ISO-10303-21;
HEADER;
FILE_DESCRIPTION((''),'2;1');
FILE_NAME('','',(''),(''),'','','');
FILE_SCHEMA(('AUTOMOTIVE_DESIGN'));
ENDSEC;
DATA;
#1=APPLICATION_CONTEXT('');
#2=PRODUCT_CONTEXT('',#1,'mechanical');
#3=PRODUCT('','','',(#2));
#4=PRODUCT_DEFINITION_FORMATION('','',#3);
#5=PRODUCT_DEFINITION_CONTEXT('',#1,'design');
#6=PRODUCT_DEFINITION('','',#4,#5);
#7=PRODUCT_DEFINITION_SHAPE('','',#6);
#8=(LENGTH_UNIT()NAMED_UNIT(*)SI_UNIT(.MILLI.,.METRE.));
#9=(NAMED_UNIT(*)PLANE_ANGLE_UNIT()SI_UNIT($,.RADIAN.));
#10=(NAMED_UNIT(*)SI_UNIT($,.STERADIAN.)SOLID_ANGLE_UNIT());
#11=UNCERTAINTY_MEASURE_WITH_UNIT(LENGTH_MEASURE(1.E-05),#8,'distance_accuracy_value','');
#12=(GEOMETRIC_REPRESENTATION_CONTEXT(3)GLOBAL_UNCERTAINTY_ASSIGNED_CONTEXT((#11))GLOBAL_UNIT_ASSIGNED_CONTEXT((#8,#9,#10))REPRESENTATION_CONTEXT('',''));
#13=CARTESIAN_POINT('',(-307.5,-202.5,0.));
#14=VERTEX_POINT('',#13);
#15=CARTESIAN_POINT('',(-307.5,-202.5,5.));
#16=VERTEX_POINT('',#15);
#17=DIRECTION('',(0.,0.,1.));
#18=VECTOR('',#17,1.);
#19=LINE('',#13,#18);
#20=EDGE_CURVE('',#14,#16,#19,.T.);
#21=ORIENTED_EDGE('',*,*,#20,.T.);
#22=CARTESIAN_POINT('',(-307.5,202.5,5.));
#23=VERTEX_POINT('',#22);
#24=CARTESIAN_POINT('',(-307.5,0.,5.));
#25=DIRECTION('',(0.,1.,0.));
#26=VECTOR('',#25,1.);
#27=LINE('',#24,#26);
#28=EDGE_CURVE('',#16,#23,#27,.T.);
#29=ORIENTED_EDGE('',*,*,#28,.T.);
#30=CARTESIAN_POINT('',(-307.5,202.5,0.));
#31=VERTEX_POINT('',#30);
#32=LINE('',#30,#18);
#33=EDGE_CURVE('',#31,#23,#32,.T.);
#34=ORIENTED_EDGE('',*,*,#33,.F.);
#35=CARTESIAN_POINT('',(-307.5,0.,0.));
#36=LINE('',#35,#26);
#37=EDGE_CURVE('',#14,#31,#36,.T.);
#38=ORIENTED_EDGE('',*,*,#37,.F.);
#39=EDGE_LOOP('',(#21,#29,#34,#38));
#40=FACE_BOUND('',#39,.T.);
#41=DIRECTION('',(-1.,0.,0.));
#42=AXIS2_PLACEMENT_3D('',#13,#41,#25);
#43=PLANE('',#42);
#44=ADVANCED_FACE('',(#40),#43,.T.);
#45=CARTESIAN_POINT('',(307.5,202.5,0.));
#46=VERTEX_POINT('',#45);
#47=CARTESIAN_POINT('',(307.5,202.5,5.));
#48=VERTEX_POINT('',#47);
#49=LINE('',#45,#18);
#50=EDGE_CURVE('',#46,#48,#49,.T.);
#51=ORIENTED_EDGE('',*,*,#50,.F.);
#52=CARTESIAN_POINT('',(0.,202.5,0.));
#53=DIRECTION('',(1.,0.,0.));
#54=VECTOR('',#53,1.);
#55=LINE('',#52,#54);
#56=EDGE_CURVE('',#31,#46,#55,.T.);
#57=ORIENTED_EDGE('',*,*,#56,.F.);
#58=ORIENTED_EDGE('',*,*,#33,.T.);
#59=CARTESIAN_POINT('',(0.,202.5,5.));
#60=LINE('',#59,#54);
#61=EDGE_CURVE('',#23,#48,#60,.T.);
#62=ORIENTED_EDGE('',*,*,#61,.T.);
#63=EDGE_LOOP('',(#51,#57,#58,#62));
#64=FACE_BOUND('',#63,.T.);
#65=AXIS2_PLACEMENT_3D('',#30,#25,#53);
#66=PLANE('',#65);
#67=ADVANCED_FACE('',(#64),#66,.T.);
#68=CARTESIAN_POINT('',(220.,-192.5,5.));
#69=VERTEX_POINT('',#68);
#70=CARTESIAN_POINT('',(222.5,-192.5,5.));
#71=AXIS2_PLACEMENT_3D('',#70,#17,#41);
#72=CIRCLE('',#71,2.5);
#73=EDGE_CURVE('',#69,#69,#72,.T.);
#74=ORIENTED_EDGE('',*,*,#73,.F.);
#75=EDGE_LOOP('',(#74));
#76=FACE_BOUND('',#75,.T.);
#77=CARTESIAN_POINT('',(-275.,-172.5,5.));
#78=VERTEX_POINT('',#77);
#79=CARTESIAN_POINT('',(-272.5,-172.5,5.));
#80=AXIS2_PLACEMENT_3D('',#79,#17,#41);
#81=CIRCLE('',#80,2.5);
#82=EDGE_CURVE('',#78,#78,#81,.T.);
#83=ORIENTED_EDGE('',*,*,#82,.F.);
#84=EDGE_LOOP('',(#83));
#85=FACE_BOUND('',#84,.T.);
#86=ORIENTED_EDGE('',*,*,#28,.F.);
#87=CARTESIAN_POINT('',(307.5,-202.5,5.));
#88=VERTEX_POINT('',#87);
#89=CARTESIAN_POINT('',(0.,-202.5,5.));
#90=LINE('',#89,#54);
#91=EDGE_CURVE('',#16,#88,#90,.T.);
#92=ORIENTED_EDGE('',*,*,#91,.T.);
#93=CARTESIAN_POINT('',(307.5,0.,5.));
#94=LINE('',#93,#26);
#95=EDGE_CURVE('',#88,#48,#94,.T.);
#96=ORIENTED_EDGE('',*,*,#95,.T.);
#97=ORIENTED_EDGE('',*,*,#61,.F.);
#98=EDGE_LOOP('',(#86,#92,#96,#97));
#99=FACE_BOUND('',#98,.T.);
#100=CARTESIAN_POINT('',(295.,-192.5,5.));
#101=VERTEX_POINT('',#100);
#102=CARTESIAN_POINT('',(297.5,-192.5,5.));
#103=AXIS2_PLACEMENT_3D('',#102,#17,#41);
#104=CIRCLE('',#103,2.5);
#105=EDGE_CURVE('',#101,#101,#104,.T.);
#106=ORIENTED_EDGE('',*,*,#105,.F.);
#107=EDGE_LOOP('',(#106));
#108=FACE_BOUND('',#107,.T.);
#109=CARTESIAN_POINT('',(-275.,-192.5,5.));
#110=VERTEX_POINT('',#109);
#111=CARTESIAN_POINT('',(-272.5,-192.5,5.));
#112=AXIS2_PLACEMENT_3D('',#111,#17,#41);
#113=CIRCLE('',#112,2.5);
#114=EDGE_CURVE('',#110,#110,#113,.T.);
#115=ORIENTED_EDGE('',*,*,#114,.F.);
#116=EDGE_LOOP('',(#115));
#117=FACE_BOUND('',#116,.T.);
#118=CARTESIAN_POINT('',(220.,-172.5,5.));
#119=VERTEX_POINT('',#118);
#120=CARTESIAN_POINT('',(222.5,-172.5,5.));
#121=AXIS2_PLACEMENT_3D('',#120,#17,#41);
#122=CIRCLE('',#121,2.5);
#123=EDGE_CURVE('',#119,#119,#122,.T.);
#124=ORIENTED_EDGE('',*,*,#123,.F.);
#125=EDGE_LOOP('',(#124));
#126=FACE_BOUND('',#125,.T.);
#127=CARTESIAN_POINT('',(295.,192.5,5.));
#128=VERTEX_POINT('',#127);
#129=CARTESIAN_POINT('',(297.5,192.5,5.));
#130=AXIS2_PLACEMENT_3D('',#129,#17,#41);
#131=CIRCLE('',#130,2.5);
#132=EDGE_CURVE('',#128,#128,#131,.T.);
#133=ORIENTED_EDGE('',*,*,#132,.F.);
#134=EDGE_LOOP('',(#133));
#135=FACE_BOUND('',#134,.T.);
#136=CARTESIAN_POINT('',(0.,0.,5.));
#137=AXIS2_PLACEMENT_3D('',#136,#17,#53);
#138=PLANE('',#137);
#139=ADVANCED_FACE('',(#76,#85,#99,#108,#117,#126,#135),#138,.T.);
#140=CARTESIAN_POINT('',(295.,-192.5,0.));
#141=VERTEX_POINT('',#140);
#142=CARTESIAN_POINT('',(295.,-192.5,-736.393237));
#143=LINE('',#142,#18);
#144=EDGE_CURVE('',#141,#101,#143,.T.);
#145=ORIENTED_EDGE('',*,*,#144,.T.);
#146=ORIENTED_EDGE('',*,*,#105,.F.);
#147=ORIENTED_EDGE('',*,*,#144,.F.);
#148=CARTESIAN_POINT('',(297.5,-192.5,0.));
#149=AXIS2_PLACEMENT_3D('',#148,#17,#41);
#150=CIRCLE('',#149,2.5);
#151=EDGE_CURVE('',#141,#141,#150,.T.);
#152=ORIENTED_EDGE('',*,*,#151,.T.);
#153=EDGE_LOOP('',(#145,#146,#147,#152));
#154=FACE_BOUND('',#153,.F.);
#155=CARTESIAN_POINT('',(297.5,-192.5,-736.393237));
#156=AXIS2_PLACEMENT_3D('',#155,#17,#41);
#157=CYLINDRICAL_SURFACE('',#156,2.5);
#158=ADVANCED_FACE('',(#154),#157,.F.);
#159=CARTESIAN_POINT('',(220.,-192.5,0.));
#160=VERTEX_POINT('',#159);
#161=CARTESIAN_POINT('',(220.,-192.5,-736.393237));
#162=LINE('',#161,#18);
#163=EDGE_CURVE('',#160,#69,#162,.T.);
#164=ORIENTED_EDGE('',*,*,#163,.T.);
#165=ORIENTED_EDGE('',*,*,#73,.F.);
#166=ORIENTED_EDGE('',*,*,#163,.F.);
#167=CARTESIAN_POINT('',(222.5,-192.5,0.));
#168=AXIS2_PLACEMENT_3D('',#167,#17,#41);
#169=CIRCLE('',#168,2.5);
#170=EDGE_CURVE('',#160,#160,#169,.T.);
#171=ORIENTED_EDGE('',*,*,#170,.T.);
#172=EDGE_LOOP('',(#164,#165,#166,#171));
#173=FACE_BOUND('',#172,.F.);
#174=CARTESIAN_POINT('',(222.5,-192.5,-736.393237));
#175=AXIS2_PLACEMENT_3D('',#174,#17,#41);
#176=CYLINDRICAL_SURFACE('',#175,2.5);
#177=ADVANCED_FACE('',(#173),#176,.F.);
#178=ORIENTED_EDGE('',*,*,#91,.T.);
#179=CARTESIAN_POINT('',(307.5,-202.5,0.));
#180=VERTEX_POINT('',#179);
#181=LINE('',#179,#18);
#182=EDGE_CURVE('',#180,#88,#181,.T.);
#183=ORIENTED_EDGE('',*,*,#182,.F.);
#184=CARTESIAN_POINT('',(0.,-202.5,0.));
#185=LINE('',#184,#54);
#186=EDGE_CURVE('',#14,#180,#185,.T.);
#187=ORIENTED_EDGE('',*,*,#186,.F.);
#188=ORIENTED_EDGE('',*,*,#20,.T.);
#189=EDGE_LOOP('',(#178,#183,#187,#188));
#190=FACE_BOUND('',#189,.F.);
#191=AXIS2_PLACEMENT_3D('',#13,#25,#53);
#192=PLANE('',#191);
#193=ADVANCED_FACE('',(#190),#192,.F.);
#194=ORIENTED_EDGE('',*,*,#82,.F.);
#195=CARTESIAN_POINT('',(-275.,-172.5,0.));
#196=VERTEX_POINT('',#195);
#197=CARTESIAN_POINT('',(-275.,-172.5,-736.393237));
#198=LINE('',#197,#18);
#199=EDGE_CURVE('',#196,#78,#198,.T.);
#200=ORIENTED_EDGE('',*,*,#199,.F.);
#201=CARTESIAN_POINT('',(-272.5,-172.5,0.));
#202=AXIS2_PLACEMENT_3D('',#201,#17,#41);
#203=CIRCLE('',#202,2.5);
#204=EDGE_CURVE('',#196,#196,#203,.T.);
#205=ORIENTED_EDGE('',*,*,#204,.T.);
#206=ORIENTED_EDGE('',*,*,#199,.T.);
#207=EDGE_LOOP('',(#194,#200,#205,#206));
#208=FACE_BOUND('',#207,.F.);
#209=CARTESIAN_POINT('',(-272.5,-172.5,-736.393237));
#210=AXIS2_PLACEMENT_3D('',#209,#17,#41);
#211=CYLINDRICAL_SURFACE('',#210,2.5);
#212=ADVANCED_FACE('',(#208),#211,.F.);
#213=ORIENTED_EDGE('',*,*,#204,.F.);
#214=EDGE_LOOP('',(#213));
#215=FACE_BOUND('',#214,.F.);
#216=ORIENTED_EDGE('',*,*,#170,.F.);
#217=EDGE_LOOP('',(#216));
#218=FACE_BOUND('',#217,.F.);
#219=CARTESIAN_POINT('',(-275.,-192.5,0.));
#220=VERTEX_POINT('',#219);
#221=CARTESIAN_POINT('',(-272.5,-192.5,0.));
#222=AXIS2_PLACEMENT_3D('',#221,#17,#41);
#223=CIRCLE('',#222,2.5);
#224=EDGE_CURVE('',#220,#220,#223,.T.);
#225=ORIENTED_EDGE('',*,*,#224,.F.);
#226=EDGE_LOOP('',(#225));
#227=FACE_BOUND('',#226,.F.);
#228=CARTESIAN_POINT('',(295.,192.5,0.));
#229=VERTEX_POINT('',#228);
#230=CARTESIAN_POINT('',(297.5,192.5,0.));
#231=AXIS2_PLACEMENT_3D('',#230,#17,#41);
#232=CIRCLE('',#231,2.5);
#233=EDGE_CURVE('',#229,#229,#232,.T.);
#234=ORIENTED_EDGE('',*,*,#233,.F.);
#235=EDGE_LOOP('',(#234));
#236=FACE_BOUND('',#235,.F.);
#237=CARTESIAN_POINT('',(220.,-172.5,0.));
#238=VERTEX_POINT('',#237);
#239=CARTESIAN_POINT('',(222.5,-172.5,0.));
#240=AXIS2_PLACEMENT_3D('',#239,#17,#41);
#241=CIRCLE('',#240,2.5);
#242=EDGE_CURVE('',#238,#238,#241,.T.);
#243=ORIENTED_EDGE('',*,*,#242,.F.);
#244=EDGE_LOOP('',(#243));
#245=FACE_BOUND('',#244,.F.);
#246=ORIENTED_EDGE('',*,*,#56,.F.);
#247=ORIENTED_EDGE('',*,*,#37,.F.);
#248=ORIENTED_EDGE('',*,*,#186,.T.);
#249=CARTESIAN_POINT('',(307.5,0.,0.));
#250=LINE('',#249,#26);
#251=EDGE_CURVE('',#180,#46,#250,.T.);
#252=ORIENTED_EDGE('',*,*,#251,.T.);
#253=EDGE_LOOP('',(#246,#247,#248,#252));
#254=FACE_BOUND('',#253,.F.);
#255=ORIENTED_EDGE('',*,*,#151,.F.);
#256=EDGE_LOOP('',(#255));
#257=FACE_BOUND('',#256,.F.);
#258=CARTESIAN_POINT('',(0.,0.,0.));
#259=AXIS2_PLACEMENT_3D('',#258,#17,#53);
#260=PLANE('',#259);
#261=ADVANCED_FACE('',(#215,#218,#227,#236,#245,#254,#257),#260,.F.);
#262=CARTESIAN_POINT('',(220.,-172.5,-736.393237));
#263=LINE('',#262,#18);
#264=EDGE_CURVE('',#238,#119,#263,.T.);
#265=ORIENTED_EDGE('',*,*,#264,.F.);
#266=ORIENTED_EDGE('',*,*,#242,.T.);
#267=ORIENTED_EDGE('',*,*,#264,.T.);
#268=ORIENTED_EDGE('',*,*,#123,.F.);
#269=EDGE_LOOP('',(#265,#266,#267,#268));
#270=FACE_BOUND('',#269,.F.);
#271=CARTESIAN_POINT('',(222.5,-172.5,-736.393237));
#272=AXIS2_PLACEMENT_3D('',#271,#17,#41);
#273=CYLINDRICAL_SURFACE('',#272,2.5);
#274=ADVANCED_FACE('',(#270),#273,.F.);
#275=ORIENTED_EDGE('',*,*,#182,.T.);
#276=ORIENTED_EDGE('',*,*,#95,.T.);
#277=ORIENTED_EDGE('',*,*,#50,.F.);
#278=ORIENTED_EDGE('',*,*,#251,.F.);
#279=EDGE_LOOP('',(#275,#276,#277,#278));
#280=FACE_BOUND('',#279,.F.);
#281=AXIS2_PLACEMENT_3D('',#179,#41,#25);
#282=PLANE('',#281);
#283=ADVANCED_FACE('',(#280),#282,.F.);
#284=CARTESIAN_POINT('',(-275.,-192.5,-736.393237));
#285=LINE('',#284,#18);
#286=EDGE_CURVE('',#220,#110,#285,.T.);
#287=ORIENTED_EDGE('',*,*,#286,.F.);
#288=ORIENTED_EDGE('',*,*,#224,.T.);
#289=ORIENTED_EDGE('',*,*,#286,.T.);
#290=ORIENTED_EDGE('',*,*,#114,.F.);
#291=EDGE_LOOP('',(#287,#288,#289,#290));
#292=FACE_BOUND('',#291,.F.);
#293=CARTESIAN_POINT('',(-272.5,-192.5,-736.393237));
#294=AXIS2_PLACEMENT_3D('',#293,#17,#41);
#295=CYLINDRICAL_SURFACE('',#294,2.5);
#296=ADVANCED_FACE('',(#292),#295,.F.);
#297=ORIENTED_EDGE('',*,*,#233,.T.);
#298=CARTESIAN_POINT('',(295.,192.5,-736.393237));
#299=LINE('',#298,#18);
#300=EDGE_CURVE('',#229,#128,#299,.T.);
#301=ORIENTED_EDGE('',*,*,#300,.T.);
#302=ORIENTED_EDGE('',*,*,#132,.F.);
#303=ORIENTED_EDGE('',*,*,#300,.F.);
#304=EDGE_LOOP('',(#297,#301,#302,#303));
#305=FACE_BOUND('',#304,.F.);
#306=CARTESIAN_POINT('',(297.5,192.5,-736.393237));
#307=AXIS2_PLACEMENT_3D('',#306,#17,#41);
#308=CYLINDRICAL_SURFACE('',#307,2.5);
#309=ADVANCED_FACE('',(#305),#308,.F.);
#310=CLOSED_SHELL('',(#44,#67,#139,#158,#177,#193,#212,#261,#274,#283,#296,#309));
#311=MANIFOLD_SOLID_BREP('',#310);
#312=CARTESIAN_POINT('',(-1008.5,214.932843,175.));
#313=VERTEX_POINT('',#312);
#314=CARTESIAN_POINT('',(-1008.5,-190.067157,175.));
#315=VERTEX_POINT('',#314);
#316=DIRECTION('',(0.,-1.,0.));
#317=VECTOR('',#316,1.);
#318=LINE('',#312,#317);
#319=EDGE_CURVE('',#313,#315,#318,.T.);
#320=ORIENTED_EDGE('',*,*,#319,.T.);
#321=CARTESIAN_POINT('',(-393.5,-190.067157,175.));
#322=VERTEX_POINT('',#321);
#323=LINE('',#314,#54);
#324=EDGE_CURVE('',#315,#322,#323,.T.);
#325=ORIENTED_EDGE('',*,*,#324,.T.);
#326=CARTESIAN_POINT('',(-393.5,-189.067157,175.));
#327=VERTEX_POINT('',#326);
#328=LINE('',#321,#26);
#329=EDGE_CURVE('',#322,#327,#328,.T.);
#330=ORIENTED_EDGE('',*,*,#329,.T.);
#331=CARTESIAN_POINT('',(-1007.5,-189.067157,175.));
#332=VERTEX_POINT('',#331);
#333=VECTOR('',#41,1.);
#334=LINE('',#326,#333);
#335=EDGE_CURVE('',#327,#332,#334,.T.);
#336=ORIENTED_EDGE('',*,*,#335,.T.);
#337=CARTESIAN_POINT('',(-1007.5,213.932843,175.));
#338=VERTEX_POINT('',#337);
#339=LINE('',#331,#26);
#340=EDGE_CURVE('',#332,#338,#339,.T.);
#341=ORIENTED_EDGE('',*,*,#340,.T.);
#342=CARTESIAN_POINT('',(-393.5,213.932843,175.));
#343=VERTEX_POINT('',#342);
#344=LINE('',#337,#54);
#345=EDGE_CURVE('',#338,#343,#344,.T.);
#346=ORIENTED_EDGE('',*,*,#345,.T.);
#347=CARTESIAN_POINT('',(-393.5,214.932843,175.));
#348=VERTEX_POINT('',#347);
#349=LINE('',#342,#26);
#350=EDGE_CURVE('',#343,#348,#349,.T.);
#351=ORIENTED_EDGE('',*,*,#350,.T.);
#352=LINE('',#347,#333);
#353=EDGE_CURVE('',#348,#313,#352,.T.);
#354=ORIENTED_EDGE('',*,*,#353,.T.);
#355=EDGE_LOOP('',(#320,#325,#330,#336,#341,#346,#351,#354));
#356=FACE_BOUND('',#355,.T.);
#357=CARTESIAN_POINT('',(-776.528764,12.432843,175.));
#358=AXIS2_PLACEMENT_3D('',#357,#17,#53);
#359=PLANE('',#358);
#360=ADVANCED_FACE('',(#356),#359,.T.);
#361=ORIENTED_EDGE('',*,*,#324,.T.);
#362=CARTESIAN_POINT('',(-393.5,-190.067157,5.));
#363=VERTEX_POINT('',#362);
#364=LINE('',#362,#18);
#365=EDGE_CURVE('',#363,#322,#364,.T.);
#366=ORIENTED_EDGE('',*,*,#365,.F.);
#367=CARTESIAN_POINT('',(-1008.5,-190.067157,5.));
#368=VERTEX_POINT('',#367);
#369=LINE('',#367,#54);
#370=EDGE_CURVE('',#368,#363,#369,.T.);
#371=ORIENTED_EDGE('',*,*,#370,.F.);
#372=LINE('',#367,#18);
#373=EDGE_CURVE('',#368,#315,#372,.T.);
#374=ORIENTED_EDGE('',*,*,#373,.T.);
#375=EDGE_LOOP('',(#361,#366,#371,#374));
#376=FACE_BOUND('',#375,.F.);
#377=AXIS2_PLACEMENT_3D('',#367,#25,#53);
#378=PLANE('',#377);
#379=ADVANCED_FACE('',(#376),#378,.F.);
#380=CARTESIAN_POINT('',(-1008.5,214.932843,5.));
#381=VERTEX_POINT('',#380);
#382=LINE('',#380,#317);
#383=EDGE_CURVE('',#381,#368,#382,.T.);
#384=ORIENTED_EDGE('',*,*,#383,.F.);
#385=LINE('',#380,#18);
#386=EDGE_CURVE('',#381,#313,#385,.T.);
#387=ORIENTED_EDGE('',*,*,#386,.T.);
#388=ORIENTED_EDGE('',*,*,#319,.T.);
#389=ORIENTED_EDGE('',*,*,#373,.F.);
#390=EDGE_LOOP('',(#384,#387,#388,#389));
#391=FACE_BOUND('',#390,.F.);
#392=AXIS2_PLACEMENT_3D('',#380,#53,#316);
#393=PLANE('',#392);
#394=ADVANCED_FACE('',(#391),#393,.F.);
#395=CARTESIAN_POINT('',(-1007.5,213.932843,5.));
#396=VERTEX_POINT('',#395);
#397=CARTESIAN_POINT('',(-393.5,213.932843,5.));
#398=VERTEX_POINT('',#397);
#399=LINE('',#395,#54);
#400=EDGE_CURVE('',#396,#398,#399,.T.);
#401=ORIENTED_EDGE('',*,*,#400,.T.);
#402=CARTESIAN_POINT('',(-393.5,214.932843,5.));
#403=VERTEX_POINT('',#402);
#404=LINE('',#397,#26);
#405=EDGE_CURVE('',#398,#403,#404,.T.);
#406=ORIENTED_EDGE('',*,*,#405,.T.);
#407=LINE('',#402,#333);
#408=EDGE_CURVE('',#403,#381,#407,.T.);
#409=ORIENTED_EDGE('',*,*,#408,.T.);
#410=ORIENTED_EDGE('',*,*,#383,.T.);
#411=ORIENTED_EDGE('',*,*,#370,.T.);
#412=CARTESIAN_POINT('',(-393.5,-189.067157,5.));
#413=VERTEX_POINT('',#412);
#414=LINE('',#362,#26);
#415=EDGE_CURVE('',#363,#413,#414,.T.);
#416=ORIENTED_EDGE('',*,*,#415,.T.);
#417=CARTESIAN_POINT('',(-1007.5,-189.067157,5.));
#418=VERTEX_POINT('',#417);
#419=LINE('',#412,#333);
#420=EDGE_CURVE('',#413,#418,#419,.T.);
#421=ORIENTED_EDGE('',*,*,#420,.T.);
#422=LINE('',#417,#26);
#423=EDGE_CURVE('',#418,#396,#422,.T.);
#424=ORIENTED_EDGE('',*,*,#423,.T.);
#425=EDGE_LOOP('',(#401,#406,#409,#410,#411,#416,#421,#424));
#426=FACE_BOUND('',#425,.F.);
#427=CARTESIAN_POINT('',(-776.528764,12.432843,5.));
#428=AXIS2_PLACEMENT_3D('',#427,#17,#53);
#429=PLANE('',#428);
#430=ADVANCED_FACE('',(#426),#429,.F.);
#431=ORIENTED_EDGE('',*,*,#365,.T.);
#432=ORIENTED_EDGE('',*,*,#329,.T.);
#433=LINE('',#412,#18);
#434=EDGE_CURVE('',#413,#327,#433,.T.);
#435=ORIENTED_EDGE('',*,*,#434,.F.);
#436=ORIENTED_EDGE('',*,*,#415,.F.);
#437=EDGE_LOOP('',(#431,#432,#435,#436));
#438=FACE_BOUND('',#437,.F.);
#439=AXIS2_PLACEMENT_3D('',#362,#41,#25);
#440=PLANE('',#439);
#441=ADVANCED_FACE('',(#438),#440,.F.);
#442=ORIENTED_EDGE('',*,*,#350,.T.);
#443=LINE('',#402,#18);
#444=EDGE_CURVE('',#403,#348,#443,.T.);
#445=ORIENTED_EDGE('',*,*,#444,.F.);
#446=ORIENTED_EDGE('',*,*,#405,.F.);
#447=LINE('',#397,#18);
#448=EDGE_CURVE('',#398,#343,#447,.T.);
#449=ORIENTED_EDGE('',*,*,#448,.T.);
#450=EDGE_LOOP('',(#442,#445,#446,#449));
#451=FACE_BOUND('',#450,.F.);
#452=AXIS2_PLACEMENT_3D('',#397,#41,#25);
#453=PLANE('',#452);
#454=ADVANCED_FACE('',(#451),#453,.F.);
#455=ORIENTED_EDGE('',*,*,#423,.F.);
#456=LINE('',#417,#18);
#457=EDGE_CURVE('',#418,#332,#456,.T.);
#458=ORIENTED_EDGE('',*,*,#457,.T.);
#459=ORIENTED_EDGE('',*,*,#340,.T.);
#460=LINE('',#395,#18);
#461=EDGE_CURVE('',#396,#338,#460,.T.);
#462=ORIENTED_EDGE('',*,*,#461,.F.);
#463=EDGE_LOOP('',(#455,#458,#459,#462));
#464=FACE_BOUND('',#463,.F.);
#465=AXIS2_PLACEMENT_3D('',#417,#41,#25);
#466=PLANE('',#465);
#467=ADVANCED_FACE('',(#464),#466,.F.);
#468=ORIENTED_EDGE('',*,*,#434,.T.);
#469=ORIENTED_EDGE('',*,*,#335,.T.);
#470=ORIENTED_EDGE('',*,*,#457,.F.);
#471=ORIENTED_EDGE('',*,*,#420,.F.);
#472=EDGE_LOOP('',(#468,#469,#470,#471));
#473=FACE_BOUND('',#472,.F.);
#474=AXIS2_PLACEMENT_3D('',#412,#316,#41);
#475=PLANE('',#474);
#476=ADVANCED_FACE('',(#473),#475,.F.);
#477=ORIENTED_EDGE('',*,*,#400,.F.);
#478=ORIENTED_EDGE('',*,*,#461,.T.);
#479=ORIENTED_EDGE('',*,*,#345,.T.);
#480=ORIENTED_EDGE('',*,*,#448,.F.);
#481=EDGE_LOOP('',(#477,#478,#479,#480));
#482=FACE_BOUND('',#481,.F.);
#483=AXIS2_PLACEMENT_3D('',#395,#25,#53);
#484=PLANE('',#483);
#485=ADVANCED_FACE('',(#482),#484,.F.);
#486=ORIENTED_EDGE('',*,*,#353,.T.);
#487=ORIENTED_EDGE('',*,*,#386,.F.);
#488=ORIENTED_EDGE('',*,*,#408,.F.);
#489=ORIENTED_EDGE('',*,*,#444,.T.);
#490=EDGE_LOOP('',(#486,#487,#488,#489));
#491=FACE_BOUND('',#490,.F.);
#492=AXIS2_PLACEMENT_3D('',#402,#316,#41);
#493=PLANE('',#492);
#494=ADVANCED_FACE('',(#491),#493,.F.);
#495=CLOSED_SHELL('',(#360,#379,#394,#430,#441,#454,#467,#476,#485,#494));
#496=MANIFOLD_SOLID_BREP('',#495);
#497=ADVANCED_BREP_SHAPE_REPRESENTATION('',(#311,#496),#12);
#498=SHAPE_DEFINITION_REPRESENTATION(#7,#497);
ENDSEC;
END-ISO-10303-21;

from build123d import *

# Parameters (mm, degrees)
F0_W     = 615
F0_H     = 405
F1_DEPTH = 5
F4_DEPTH = 170
F6_D     = 5
F8_D     = 5
F10_D    = 5
F12_D    = 5
F14_D    = 5
F16_D    = 5


with BuildPart() as f1:
    # F0 (on Top) → F1 (new body)
    with BuildSketch(Plane.XY):
        Rectangle(F0_W, F0_H)
    extrude(amount=F1_DEPTH)

    # F6 (through all)
    with Locations(Plane(origin=(0, 0, 0), x_dir=(1, 0, 0), z_dir=(0, 0, -1))):
        with Locations((-272.5, 192.5)):
            Hole(F6_D / 2)

    # F8 (through all)
    with Locations(Plane(origin=(0, 0, 0), x_dir=(1, 0, 0), z_dir=(0, 0, -1))):
        with Locations((-272.5, 172.5)):
            Hole(F8_D / 2)

    # F10 (through all)
    with Locations(Plane(origin=(0, 0, 0), x_dir=(1, 0, 0), z_dir=(0, 0, -1))):
        with Locations((222.5, 192.5)):
            Hole(F10_D / 2)

    # F12 (through all)
    with Locations(Plane(origin=(0, 0, 0), x_dir=(1, 0, 0), z_dir=(0, 0, -1))):
        with Locations((222.5, 172.5)):
            Hole(F12_D / 2)

    # F14 (through all)
    with Locations(Plane(origin=(0, 0, 0), x_dir=(1, 0, 0), z_dir=(0, 0, -1))):
        with Locations((297.5, -192.5)):
            Hole(F14_D / 2)

    # F16 (through all)
    with Locations(Plane(origin=(0, 0, 0), x_dir=(1, 0, 0), z_dir=(0, 0, -1))):
        with Locations((297.5, 192.5)):
            Hole(F16_D / 2)


with BuildPart() as f4:
    # F3 (on face) → F4 (new body)
    with BuildSketch(Plane.XY.offset(5)):
        Polygon((-1008.5, -190.067157), (-393.5, -190.067157), (-393.5, -189.067157), (-1007.5, -189.067157), (-1007.5, 213.932843), (-393.5, 213.932843), (-393.5, 214.932843), (-1008.5, 214.932843), align=None)
    extrude(amount=F4_DEPTH)


solid = Compound([f1.part, f4.part])
